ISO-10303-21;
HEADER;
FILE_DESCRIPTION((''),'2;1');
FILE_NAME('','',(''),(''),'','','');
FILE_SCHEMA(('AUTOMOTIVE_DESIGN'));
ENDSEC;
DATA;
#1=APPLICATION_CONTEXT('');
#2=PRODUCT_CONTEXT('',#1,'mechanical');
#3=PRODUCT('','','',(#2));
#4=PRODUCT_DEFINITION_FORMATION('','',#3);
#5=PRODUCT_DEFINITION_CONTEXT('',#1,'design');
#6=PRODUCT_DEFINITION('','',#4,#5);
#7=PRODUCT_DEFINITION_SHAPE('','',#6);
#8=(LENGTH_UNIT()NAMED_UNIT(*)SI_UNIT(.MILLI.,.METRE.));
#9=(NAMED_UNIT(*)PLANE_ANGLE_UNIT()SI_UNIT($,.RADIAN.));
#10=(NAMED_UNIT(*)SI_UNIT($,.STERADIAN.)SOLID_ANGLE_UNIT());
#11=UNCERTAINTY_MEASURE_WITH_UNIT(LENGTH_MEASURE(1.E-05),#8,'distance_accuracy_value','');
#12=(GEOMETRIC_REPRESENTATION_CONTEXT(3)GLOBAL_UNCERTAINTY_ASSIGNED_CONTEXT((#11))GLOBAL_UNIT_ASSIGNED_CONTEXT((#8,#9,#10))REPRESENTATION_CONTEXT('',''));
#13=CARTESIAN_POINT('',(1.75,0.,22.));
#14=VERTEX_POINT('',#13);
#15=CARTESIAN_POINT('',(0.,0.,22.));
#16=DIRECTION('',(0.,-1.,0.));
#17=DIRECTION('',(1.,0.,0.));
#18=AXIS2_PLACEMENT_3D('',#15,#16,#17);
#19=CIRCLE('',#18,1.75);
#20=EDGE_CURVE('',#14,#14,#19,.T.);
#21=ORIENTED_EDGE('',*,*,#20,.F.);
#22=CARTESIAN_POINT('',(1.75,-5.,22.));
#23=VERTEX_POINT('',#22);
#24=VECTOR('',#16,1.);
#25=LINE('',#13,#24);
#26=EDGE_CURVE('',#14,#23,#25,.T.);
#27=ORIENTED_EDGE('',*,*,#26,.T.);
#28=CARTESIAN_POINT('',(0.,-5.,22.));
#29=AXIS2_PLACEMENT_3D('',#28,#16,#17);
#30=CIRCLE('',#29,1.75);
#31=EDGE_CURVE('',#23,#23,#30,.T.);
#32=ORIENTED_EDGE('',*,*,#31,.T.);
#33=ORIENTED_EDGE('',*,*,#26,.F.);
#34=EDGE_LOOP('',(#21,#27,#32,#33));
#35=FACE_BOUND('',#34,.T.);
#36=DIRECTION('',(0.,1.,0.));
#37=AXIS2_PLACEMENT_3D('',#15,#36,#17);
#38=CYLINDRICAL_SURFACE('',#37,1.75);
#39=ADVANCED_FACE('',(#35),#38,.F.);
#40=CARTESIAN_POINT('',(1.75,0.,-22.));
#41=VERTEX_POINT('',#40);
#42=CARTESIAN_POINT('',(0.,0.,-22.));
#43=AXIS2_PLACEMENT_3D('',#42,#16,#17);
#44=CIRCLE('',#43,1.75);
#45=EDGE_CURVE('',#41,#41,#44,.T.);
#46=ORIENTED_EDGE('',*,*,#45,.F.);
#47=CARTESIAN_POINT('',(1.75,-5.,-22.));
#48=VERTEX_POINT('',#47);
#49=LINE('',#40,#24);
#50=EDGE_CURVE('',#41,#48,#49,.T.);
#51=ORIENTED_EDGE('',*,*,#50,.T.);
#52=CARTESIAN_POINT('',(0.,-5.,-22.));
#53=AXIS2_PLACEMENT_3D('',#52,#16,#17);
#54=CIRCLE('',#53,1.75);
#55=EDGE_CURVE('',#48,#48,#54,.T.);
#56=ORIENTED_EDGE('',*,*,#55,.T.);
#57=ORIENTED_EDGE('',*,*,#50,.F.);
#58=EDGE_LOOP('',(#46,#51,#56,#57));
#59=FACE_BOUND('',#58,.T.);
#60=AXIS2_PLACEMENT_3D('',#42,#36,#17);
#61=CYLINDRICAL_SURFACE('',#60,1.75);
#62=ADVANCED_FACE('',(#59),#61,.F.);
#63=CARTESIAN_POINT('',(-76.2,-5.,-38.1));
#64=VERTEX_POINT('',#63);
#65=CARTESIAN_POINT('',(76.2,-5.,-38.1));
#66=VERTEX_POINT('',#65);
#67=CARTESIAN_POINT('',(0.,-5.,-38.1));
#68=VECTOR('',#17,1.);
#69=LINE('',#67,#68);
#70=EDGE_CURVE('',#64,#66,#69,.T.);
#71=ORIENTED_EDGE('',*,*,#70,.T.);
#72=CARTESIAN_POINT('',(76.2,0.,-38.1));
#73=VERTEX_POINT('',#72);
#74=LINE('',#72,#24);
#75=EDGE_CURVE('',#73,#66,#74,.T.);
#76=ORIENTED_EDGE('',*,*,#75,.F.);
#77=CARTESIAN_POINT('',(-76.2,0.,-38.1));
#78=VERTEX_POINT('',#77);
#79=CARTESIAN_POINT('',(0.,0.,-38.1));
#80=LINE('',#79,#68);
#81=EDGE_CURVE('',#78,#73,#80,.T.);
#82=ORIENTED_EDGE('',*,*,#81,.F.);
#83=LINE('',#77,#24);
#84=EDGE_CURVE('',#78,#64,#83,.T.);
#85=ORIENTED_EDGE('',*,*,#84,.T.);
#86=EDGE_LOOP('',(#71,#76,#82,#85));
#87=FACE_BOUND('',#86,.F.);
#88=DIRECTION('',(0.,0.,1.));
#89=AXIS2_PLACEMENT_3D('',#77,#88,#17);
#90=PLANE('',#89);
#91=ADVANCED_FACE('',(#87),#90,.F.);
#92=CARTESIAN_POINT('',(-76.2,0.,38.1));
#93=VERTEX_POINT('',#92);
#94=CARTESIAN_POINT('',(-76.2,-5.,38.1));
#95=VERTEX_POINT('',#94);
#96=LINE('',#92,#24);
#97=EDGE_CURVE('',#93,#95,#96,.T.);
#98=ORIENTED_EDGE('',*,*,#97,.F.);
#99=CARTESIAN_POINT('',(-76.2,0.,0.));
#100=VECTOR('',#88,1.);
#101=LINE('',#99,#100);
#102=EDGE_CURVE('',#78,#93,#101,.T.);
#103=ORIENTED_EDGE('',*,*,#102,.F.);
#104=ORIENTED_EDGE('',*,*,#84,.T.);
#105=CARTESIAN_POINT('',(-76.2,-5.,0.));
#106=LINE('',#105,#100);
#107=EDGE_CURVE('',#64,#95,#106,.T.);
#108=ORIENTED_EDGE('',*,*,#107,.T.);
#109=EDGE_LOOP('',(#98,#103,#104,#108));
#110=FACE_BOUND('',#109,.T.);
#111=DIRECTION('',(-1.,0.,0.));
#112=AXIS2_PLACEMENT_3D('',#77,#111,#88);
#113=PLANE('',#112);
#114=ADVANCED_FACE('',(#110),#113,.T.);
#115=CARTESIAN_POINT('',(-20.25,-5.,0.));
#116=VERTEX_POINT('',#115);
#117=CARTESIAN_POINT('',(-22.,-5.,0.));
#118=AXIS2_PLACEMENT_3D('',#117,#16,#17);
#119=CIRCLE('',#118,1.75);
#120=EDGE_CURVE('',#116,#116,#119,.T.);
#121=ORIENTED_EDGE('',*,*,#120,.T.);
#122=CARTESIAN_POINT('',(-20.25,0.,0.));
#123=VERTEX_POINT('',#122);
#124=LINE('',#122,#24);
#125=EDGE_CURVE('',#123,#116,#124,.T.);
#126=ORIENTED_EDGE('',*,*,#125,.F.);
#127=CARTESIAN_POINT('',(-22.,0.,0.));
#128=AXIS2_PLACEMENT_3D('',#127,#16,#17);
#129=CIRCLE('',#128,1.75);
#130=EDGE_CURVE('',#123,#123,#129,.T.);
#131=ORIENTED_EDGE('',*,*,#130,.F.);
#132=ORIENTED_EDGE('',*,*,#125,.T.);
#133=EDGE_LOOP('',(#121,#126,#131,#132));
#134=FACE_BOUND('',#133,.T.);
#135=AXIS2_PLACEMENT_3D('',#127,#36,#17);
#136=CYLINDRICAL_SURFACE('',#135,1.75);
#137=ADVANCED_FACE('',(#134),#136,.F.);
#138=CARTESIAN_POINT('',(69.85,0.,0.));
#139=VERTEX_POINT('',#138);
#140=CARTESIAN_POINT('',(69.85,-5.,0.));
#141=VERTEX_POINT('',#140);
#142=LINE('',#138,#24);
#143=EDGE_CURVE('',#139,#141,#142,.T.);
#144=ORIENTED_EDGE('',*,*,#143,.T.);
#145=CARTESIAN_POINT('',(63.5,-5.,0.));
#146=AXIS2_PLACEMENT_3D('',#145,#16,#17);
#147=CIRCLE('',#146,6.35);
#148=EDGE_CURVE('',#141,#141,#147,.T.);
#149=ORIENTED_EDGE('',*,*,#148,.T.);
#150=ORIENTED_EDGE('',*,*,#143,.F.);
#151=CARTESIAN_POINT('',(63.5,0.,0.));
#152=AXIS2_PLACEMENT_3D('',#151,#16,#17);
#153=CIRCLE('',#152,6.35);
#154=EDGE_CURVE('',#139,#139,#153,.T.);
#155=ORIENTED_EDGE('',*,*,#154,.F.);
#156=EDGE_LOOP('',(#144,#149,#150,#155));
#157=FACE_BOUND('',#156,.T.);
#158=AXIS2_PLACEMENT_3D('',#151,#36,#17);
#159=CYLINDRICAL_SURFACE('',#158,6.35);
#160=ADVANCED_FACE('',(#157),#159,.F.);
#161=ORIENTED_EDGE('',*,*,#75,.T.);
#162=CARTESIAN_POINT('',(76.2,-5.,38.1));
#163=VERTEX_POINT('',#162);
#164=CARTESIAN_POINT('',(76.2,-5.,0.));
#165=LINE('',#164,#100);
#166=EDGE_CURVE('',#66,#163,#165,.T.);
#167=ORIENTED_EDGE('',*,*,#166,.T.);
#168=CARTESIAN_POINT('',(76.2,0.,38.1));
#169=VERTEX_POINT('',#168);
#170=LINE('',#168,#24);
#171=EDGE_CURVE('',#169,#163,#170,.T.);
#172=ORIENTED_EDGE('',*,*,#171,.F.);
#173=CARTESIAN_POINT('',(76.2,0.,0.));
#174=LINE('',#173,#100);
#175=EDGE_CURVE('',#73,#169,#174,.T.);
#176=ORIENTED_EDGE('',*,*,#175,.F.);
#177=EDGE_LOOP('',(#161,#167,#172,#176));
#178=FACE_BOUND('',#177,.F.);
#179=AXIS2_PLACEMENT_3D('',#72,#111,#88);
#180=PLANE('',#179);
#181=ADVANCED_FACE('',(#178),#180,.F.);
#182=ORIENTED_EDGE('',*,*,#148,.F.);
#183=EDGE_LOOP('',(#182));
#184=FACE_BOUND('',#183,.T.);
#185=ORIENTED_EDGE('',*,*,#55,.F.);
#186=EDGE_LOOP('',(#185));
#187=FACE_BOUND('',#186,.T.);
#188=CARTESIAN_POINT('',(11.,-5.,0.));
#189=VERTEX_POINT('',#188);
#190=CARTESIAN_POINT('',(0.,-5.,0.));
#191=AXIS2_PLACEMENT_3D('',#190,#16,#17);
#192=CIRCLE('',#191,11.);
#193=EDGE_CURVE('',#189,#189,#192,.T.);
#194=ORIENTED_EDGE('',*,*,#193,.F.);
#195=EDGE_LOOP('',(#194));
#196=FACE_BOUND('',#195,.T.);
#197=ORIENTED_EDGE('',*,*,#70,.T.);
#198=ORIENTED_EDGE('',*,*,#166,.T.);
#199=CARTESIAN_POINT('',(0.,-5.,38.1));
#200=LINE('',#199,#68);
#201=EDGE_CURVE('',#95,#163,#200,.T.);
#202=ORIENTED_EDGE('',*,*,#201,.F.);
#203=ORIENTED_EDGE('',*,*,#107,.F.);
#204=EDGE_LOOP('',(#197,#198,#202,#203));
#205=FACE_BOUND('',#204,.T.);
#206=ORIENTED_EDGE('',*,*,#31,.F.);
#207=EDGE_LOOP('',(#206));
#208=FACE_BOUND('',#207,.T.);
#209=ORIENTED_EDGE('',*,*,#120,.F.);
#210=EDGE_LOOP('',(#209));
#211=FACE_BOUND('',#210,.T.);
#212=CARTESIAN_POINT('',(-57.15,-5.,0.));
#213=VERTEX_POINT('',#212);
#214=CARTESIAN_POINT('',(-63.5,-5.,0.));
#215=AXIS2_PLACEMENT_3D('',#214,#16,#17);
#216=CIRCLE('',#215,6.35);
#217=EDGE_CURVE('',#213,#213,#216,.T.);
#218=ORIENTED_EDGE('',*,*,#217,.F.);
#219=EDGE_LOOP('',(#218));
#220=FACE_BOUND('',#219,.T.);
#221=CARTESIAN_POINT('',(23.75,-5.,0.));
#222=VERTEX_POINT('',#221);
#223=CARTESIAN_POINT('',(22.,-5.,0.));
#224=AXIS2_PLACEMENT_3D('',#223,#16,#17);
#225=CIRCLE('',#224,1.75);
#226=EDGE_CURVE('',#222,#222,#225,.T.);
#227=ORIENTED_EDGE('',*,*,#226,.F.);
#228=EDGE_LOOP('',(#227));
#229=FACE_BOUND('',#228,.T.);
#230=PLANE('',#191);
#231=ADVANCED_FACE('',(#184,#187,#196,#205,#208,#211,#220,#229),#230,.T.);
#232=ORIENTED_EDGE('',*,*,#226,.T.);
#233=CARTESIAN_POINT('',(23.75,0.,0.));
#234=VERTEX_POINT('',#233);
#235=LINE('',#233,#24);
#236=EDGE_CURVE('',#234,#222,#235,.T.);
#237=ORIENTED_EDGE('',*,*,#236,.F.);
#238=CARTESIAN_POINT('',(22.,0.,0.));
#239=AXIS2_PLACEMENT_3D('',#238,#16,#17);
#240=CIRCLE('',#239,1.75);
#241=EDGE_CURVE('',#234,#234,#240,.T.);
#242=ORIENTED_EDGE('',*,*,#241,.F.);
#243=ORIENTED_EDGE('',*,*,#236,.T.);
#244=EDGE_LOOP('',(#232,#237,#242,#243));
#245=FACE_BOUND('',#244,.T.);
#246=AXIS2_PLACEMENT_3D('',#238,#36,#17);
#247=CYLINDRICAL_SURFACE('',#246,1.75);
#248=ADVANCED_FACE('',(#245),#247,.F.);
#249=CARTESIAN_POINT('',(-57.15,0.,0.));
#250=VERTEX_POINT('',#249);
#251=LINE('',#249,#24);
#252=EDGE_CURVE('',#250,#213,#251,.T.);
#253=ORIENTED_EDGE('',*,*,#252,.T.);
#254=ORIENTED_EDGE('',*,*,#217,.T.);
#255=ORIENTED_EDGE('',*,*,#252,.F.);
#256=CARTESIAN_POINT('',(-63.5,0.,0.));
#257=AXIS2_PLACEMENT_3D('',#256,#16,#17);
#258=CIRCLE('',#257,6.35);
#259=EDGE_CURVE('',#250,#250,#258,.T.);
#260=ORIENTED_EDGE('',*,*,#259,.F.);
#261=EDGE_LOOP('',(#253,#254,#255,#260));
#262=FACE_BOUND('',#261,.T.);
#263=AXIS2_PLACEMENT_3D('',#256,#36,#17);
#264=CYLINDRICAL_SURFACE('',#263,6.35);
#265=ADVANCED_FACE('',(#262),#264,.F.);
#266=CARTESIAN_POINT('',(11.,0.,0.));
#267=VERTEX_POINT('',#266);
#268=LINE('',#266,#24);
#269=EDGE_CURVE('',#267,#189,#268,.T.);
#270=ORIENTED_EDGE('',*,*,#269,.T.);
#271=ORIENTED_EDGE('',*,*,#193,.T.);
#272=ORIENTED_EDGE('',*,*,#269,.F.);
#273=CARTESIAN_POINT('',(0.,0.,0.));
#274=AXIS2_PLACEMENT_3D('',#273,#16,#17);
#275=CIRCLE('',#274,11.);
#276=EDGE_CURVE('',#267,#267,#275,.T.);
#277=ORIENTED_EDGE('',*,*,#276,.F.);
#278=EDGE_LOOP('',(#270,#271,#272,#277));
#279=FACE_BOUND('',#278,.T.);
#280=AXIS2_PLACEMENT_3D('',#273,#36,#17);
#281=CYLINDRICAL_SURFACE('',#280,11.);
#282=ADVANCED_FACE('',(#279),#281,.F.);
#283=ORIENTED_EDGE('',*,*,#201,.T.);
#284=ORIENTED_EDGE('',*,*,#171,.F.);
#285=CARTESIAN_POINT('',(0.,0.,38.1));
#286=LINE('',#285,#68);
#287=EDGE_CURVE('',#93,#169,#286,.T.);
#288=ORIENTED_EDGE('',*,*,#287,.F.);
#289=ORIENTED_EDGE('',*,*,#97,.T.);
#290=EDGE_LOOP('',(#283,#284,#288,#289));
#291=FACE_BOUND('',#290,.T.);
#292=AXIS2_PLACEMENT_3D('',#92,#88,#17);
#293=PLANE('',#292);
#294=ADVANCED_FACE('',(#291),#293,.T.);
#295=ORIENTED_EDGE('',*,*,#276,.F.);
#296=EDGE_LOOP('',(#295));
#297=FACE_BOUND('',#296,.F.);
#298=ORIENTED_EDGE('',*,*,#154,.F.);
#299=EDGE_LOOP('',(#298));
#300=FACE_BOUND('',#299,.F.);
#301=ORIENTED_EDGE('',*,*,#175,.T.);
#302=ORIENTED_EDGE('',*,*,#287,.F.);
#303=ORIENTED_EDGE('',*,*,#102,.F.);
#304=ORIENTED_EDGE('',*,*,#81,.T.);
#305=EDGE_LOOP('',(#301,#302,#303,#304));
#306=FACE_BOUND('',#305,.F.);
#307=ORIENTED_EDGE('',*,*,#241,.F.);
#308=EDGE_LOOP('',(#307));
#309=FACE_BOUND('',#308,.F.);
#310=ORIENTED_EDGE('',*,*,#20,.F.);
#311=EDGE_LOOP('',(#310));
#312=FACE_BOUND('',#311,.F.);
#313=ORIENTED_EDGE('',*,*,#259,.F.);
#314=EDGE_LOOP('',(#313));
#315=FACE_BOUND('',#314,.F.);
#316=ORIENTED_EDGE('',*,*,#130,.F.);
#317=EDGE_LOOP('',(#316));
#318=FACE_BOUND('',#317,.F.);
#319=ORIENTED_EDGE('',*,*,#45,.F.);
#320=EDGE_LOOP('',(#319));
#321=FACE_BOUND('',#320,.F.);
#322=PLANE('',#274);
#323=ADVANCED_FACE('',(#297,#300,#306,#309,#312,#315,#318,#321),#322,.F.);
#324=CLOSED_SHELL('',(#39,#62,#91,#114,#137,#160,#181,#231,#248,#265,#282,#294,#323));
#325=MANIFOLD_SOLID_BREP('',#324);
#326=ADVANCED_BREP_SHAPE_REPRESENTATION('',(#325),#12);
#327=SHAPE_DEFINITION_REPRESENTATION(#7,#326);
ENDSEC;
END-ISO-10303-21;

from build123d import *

# Parameters (mm, degrees)
F0_W     = 152.4
F0_H     = 76.2
F0_R     = 1.75
F0_R_2   = 6.35
F0_R_3   = 11
F1_DEPTH = 5


with BuildPart() as f1:
    # F0 (on Front) → F1 (new body)
    with BuildSketch(Plane.XZ):
        Rectangle(F0_W, F0_H)
        with Locations((0, -22)):
            Circle(F0_R, mode=Mode.SUBTRACT)
        with Locations((-63.5, 0)):
            Circle(F0_R_2, mode=Mode.SUBTRACT)
        with Locations((-22, 0)):
            Circle(F0_R, mode=Mode.SUBTRACT)
        Circle(F0_R_3, mode=Mode.SUBTRACT)
        with Locations((22, 0)):
            Circle(F0_R, mode=Mode.SUBTRACT)
        with Locations((63.5, 0)):
            Circle(F0_R_2, mode=Mode.SUBTRACT)
        with Locations((0, 22)):
            Circle(F0_R, mode=Mode.SUBTRACT)
    extrude(amount=F1_DEPTH)


solid = f1.part
